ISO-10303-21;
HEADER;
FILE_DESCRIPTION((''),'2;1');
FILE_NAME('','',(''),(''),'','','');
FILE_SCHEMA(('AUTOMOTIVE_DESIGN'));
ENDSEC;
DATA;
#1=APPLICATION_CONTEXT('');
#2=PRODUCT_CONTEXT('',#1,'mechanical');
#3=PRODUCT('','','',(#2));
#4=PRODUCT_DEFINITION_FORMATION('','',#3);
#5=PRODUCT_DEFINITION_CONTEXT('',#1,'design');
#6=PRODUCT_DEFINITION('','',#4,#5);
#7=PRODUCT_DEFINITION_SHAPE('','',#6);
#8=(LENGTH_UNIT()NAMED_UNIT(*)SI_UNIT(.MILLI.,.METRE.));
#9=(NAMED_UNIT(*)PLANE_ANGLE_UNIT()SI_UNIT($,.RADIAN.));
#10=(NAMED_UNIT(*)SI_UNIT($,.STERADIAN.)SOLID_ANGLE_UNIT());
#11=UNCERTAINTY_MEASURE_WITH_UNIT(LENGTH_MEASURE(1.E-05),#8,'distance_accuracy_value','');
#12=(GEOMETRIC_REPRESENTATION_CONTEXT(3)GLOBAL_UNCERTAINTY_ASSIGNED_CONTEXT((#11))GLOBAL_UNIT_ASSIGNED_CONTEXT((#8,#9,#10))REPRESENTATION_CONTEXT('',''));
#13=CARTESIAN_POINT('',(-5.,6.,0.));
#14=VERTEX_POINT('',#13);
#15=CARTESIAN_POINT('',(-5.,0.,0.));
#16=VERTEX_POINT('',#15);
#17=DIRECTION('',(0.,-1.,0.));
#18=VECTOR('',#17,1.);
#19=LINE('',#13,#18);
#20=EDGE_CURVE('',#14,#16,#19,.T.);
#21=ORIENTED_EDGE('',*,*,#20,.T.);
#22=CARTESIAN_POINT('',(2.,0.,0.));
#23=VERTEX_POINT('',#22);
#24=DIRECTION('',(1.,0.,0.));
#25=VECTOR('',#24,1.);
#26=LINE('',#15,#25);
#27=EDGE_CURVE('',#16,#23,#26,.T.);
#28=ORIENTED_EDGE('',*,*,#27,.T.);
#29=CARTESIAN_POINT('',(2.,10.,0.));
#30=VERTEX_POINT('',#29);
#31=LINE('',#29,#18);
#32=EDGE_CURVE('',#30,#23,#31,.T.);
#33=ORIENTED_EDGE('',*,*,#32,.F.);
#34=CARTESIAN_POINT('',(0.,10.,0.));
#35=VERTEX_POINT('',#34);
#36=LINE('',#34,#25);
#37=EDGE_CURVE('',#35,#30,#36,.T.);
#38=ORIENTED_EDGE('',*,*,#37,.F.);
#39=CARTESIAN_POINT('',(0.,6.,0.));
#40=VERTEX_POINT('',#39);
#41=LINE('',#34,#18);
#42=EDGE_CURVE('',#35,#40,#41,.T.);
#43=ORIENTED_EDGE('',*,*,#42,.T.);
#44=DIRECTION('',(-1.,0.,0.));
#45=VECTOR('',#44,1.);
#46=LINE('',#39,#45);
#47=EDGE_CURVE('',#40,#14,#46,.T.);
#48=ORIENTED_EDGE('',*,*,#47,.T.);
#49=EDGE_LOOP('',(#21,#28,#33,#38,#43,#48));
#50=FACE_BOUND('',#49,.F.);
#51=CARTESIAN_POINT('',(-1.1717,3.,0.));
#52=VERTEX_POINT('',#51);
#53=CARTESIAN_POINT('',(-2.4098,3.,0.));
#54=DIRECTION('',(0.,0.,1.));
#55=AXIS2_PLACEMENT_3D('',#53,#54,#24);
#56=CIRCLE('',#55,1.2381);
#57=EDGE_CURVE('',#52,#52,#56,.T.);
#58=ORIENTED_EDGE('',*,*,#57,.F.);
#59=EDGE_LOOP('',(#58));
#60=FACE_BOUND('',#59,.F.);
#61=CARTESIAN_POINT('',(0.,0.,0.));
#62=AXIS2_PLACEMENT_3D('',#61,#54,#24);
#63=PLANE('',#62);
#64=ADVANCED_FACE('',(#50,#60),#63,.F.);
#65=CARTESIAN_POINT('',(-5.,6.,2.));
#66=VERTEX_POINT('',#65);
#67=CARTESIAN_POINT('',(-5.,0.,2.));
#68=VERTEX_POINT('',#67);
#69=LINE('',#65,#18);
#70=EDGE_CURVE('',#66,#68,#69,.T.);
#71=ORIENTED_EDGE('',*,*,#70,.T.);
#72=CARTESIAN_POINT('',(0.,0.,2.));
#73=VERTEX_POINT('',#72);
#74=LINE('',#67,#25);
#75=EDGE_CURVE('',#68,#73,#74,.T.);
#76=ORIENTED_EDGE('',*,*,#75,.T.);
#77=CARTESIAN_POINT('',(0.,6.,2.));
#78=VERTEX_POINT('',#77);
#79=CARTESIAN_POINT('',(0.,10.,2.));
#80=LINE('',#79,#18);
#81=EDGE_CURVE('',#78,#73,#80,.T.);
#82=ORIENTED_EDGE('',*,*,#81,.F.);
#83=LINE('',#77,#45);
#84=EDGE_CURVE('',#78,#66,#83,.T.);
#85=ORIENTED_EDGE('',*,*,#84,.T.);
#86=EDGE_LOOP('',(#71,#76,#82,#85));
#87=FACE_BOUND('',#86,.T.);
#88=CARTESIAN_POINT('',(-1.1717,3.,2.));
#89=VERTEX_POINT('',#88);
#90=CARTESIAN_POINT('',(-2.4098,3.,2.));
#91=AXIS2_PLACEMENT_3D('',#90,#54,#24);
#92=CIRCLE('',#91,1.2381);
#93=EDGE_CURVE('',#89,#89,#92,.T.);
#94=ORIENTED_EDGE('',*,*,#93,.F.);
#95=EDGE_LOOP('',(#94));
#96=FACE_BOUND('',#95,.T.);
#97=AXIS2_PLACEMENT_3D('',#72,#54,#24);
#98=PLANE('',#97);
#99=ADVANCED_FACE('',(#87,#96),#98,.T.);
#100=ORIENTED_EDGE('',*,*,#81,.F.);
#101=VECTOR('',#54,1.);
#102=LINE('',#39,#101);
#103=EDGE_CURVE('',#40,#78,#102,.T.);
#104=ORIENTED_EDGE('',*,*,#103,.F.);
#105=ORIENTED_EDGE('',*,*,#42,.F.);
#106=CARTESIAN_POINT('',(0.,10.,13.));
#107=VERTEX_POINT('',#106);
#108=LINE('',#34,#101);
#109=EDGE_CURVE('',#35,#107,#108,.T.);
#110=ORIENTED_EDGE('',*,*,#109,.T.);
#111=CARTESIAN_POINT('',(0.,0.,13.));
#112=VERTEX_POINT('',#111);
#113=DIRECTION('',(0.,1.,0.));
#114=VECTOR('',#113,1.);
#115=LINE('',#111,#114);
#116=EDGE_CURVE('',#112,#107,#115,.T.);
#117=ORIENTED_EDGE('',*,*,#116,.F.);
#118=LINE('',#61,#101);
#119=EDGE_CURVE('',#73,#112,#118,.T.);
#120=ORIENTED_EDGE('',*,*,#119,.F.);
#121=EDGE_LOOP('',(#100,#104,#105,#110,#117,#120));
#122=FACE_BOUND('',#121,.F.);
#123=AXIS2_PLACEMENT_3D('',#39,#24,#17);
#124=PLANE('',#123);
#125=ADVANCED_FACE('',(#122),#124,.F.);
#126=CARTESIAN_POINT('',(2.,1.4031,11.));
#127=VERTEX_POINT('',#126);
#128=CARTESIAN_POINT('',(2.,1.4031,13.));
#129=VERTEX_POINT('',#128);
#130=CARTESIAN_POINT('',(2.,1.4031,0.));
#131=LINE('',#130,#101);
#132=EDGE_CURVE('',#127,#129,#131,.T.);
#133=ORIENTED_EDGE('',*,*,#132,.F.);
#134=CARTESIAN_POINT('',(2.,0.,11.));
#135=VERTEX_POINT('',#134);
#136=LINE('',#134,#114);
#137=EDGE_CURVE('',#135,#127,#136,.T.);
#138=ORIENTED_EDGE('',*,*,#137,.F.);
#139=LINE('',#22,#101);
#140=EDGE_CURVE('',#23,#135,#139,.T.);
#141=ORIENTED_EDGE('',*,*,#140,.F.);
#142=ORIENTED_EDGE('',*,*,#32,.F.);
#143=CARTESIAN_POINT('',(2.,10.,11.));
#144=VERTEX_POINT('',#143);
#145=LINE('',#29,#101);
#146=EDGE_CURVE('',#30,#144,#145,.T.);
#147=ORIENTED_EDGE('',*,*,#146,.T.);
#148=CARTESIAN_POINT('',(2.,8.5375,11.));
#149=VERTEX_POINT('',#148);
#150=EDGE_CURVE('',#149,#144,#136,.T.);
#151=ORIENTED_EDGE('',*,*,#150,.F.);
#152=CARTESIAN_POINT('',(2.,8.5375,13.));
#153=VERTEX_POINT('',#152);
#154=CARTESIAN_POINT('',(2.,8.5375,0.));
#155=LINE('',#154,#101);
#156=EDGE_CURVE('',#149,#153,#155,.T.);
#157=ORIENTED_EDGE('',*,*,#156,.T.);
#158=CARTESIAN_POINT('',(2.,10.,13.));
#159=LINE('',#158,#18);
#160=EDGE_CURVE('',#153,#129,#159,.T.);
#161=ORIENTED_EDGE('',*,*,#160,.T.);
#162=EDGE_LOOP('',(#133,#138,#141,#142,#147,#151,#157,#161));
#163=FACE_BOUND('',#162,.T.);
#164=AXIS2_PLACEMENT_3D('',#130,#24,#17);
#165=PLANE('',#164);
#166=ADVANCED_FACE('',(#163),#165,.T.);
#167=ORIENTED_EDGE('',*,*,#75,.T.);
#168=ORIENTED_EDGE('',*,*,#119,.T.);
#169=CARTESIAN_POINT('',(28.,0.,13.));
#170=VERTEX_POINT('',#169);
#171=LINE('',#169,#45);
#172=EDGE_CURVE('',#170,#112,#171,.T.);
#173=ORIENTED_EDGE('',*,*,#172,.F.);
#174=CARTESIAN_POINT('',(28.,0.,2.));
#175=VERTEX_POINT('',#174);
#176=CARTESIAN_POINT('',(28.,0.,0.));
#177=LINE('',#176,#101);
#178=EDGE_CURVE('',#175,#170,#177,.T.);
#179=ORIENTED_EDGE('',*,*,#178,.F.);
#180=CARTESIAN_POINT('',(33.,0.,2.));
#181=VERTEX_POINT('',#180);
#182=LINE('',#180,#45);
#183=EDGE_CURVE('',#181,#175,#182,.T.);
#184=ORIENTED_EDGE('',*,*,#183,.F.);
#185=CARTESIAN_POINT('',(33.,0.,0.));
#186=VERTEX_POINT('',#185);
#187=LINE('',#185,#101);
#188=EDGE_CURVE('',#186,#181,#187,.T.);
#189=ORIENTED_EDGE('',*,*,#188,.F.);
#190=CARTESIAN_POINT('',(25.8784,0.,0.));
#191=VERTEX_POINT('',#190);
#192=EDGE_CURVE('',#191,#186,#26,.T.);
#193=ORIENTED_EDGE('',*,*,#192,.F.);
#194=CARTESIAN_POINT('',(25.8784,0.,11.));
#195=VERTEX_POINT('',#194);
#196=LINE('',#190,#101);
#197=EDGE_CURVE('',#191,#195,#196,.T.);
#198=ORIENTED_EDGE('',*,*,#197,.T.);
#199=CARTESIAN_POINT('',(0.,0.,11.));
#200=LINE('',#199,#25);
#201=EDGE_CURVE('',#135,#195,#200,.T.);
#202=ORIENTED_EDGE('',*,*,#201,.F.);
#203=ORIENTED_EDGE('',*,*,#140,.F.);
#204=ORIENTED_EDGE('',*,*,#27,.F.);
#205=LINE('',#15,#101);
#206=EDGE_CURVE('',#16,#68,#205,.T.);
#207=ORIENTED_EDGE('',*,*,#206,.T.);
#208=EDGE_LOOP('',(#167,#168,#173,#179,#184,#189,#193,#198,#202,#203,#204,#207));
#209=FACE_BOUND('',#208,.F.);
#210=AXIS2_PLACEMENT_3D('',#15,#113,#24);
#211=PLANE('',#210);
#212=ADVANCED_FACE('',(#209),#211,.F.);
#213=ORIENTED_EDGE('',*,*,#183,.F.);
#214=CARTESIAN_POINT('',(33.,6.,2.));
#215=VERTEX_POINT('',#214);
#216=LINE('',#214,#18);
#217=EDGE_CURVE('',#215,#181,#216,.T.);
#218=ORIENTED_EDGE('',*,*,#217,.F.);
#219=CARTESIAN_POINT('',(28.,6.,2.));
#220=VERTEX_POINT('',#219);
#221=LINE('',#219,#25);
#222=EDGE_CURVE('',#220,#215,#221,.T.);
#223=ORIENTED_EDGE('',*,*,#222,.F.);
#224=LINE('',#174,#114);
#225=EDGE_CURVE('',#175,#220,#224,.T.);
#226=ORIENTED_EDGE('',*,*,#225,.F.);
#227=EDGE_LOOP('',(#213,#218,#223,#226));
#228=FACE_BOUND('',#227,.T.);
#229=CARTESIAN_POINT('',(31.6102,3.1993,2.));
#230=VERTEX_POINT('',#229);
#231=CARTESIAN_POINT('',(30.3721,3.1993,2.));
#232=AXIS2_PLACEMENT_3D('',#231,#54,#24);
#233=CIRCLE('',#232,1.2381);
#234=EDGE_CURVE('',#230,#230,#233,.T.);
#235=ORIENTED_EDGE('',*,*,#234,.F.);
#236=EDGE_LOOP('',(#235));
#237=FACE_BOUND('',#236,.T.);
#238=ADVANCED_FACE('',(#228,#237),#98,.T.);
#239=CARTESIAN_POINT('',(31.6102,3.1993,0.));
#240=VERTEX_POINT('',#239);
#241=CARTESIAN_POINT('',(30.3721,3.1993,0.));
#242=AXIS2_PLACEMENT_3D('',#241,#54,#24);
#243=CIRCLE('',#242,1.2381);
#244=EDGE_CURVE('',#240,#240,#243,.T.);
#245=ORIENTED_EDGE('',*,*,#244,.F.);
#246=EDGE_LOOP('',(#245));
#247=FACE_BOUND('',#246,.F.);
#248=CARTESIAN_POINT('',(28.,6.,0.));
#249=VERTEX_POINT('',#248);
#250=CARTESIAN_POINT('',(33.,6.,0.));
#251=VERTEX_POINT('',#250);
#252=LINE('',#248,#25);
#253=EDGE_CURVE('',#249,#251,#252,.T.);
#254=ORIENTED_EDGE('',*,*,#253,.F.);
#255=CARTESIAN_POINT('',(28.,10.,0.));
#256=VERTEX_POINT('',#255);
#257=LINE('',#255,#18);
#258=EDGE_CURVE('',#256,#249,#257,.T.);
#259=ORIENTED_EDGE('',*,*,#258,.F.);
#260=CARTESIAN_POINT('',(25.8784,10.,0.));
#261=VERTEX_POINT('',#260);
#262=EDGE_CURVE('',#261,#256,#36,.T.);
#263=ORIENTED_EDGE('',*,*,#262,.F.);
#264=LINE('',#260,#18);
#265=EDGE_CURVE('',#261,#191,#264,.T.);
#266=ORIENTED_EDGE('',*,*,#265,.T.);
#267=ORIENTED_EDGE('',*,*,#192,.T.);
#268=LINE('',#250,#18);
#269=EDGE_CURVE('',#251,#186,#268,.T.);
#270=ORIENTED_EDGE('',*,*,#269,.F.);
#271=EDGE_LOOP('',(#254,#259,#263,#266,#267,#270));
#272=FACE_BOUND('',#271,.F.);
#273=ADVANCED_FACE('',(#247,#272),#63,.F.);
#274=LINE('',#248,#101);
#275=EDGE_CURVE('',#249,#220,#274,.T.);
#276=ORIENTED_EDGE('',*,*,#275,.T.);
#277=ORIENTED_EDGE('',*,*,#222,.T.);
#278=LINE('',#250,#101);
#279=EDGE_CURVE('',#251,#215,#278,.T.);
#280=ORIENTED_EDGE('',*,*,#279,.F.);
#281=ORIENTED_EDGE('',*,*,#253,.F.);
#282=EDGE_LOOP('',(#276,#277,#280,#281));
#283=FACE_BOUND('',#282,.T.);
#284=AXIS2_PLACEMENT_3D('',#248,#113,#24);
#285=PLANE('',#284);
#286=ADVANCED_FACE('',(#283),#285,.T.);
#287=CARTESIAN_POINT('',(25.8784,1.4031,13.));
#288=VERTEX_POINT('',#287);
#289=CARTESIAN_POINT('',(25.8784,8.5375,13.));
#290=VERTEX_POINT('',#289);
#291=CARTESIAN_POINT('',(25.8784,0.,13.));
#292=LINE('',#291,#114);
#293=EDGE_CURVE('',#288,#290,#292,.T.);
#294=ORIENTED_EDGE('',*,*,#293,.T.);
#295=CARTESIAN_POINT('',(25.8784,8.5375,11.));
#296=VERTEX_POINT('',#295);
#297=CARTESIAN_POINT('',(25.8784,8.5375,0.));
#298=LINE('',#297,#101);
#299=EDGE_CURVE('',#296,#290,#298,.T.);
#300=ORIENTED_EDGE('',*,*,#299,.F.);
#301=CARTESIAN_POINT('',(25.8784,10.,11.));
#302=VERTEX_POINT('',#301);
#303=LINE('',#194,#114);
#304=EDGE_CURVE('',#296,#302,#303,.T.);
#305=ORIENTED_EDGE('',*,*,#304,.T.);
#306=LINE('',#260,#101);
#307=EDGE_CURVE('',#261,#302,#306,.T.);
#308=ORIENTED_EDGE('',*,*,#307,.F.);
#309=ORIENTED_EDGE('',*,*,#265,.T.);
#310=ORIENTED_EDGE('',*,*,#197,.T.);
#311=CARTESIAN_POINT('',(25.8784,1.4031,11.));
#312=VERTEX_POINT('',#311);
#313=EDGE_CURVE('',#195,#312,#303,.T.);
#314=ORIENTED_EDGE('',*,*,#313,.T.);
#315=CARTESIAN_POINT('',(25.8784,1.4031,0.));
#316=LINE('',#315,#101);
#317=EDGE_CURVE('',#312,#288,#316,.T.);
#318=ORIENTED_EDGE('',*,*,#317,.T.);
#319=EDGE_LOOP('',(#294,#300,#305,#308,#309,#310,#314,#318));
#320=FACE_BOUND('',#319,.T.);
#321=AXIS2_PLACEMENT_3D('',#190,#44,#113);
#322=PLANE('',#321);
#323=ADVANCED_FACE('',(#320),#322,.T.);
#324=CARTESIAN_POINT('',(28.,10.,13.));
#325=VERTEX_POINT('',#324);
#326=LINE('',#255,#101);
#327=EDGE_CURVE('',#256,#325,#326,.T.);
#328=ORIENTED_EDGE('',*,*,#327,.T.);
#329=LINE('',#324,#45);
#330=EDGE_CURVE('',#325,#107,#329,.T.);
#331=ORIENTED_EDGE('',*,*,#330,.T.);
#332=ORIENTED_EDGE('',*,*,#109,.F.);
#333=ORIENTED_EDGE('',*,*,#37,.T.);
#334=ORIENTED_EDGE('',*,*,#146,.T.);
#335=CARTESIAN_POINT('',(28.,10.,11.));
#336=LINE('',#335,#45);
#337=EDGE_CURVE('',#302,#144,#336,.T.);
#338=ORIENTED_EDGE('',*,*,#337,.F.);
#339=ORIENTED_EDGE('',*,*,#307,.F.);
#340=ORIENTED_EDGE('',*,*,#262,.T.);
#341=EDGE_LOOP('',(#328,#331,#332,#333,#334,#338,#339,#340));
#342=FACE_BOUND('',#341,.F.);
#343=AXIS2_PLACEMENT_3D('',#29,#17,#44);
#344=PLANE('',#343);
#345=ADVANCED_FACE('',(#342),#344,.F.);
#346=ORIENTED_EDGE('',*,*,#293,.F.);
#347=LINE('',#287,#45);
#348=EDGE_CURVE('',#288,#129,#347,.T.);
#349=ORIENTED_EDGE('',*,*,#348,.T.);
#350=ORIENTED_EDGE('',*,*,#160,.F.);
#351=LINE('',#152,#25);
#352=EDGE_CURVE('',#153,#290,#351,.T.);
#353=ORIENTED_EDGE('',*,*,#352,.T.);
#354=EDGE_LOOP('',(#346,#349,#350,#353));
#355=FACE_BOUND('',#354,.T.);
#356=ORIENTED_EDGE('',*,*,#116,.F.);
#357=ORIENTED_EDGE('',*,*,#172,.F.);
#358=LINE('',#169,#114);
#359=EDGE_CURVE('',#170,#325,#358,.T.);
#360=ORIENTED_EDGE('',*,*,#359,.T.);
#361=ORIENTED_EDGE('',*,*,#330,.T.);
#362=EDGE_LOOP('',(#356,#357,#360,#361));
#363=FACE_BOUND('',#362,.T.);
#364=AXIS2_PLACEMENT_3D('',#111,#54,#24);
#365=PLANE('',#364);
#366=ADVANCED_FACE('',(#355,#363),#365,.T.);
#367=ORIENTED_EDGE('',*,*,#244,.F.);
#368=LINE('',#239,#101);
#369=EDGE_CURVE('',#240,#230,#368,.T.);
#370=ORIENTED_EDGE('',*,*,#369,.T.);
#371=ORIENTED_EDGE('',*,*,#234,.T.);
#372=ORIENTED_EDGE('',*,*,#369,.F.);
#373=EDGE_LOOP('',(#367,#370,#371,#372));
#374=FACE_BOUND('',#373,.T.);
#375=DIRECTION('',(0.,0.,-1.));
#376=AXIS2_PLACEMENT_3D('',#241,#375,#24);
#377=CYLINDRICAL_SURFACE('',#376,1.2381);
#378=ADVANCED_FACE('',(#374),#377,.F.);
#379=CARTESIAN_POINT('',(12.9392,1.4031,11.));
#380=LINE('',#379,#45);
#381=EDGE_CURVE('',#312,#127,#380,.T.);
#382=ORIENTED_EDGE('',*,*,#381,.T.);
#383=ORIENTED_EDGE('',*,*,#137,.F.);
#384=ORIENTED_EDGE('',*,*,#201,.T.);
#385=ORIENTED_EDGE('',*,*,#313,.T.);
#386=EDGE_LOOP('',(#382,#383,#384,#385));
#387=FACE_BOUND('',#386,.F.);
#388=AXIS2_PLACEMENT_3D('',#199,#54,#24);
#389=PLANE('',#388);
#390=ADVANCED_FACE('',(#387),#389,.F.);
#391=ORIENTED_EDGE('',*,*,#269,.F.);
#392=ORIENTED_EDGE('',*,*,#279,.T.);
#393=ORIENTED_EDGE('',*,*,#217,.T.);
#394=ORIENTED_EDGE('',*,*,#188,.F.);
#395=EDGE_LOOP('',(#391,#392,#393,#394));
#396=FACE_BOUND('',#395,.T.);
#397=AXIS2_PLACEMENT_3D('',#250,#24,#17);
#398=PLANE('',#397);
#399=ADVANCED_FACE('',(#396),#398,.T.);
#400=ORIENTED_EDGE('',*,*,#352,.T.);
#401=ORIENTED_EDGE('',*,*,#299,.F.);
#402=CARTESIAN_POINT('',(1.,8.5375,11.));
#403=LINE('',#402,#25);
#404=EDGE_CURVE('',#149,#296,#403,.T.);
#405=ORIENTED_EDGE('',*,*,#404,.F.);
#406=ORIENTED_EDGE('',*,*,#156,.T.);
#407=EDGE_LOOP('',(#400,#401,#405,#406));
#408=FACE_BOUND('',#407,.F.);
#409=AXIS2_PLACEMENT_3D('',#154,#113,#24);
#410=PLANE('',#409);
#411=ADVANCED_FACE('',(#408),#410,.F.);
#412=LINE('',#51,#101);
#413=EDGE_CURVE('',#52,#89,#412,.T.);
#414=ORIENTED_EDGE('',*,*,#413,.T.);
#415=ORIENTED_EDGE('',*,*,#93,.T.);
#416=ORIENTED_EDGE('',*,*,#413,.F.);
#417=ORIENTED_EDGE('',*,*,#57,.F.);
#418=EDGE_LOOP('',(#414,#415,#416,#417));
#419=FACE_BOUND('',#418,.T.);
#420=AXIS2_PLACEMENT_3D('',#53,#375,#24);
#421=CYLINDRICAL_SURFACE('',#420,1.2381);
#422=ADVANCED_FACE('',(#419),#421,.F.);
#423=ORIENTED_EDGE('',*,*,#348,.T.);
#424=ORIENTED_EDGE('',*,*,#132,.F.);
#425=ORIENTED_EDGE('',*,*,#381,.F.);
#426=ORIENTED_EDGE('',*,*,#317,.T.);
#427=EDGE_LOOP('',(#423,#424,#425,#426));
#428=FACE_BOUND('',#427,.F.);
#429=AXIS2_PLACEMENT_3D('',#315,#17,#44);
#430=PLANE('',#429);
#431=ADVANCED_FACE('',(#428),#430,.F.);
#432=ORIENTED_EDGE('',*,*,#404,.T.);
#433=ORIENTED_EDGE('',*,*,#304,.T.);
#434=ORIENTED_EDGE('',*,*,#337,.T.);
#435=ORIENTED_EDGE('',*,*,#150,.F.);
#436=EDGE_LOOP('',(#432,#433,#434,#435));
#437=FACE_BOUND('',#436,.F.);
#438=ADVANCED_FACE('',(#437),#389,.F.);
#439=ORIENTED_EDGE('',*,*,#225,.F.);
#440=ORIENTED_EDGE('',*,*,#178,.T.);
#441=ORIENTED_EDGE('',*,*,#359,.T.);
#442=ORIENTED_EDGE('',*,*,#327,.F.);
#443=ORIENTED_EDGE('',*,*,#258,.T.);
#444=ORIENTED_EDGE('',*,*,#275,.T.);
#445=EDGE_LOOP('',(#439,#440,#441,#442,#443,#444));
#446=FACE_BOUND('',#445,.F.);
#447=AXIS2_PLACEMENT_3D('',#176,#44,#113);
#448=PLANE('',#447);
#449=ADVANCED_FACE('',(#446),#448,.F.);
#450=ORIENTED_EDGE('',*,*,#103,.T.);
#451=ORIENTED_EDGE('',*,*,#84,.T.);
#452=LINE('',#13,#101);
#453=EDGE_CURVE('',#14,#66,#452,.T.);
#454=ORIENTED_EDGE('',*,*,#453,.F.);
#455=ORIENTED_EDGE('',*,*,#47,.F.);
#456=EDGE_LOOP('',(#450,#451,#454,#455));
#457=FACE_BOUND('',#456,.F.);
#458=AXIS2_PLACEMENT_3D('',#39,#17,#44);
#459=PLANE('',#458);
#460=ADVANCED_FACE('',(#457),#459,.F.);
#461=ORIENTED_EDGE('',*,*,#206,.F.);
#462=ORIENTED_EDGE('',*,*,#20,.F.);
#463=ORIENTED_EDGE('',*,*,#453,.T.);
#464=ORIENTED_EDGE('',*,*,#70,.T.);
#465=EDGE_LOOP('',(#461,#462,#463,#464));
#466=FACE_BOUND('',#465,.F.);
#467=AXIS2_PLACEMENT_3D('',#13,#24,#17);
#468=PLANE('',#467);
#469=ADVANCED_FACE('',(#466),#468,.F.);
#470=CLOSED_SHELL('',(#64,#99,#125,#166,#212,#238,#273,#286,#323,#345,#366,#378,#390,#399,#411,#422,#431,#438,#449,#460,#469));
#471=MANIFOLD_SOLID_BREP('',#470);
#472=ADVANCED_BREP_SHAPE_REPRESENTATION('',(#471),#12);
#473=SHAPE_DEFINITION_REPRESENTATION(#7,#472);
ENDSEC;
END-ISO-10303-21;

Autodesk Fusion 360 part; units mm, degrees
sketch "Sketch1" plane through (0, 0, 0) normal (0, 0, 1) x (1, 0, 0)
  line L0 (0, 0) -> (28, 0)
  line L1 (28, 0) -> (28, 10)
  line L2 (28, 10) -> (0, 10)
  line L3 (0, 10) -> (0, 0)
  line L4 (2, 0) -> (25.8784, 0)
  line L5 (25.8784, 0) -> (25.8784, 10)
  line L6 (25.8784, 10) -> (2, 10)
  line L7 (2, 10) -> (2, 0)
  line L8 (-5, 0) -> (0, 0)
  line L9 (0, 0) -> (0, 6)
  line L10 (0, 6) -> (-5, 6)
  line L11 (-5, 6) -> (-5, 0)
  line L12 (28, 6) -> (33, 6)
  line L13 (33, 6) -> (33, 0)
  line L14 (33, 0) -> (28, 0)
  line L15 (28, 0) -> (28, 6)
  circle A0 centre (-2.4098, 3) radius 1.2381
  line L16 (13.9392, 10) -> (14, 0) construction
  line L17 (2, 8.5375) -> (25.8784, 8.5375)
  line L18 (25.8784, 8.5375) -> (25.8784, 1.4031)
  line L19 (25.8784, 1.4031) -> (2, 1.4031)
  line L20 (2, 1.4031) -> (2, 8.5375)
  circle A1 centre (30.3721, 3.1993) radius 1.2381
  dimension "d1" = 28
  dimension "d2" = 10
  dimension "d11" = 6
  dimension "d12" = 3
  dimension "d14" = 6
extrude "Extrude1" add sketch "Sketch1" along normal blind 2 contours L3 L8 L9 L10 L11 | L1 L12 L13 L14 L15 makes body 1 at (-2.5008, 0.5884, 0) makes body 2 at (30.4882, 0.6549, 0)
extrude "Extrude2" add sketch "Sketch1" along normal blind 13 contours L0 L2 L3 L7 L9 L20 | L0 L4 L5 L7 L19 | L0 L1 L2 L5 L15 L18 | L2 L5 L6 L7 L17 bodies 1 2
extrude "Extrude3" cut sketch "Sketch1" along normal blind 11 contours L0 L4 L5 L7 L19 | L5 L7 L17 L18 L19 L20 | L2 L5 L6 L7 L17 bodies 1
